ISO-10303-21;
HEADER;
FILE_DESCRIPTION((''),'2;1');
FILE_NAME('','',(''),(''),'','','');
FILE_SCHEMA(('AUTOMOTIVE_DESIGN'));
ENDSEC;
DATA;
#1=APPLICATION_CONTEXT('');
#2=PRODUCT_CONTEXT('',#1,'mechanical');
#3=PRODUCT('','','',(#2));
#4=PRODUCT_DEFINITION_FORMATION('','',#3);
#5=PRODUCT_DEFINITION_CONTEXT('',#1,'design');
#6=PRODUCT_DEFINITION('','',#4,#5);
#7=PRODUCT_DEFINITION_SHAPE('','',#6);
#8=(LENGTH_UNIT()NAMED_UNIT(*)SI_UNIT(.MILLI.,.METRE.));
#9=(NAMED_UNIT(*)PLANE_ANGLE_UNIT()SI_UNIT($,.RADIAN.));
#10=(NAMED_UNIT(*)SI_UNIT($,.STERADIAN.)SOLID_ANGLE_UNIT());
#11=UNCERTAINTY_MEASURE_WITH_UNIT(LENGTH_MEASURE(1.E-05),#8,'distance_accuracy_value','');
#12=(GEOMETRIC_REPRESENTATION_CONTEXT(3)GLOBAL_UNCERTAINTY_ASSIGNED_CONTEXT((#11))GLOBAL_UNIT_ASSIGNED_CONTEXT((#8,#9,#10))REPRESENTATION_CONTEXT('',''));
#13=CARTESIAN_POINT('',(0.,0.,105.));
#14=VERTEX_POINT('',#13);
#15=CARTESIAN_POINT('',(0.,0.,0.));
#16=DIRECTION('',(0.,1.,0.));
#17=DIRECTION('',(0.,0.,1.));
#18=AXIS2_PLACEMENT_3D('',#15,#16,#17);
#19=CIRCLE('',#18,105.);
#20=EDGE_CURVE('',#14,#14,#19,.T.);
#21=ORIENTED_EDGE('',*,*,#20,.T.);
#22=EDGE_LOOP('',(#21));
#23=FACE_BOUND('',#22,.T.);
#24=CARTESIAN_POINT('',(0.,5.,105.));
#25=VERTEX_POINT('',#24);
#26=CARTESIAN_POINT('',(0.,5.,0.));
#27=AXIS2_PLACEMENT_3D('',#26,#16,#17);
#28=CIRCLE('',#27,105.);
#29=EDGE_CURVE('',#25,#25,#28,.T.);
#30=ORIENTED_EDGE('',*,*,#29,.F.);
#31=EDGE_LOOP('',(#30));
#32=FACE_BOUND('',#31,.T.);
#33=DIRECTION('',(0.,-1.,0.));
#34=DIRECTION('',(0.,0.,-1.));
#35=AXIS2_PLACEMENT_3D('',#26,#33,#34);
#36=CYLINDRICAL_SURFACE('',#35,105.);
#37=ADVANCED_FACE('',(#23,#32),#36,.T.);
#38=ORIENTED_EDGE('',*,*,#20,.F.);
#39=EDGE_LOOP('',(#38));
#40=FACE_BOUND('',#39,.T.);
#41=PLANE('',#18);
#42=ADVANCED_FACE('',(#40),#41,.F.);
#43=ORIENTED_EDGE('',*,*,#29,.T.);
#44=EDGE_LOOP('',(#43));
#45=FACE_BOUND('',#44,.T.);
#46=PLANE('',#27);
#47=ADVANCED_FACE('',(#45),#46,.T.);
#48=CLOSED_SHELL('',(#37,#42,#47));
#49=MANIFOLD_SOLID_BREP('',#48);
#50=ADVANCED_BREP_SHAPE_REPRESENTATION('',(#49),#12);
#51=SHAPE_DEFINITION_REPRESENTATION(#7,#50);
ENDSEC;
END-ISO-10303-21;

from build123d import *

# Parameters (mm, degrees)
SKETCH1_R           = 105
BOSS_EXTRUDE4_DEPTH = 5


with BuildPart() as part:
    # Sketch1 → Boss-Extrude4 (new body)
    with BuildSketch(Plane(origin=(0, 0, 0), x_dir=(1, 0, 0), z_dir=(0, 1, 0))):
        Circle(SKETCH1_R)
    extrude(amount=BOSS_EXTRUDE4_DEPTH)


solid = part.part
